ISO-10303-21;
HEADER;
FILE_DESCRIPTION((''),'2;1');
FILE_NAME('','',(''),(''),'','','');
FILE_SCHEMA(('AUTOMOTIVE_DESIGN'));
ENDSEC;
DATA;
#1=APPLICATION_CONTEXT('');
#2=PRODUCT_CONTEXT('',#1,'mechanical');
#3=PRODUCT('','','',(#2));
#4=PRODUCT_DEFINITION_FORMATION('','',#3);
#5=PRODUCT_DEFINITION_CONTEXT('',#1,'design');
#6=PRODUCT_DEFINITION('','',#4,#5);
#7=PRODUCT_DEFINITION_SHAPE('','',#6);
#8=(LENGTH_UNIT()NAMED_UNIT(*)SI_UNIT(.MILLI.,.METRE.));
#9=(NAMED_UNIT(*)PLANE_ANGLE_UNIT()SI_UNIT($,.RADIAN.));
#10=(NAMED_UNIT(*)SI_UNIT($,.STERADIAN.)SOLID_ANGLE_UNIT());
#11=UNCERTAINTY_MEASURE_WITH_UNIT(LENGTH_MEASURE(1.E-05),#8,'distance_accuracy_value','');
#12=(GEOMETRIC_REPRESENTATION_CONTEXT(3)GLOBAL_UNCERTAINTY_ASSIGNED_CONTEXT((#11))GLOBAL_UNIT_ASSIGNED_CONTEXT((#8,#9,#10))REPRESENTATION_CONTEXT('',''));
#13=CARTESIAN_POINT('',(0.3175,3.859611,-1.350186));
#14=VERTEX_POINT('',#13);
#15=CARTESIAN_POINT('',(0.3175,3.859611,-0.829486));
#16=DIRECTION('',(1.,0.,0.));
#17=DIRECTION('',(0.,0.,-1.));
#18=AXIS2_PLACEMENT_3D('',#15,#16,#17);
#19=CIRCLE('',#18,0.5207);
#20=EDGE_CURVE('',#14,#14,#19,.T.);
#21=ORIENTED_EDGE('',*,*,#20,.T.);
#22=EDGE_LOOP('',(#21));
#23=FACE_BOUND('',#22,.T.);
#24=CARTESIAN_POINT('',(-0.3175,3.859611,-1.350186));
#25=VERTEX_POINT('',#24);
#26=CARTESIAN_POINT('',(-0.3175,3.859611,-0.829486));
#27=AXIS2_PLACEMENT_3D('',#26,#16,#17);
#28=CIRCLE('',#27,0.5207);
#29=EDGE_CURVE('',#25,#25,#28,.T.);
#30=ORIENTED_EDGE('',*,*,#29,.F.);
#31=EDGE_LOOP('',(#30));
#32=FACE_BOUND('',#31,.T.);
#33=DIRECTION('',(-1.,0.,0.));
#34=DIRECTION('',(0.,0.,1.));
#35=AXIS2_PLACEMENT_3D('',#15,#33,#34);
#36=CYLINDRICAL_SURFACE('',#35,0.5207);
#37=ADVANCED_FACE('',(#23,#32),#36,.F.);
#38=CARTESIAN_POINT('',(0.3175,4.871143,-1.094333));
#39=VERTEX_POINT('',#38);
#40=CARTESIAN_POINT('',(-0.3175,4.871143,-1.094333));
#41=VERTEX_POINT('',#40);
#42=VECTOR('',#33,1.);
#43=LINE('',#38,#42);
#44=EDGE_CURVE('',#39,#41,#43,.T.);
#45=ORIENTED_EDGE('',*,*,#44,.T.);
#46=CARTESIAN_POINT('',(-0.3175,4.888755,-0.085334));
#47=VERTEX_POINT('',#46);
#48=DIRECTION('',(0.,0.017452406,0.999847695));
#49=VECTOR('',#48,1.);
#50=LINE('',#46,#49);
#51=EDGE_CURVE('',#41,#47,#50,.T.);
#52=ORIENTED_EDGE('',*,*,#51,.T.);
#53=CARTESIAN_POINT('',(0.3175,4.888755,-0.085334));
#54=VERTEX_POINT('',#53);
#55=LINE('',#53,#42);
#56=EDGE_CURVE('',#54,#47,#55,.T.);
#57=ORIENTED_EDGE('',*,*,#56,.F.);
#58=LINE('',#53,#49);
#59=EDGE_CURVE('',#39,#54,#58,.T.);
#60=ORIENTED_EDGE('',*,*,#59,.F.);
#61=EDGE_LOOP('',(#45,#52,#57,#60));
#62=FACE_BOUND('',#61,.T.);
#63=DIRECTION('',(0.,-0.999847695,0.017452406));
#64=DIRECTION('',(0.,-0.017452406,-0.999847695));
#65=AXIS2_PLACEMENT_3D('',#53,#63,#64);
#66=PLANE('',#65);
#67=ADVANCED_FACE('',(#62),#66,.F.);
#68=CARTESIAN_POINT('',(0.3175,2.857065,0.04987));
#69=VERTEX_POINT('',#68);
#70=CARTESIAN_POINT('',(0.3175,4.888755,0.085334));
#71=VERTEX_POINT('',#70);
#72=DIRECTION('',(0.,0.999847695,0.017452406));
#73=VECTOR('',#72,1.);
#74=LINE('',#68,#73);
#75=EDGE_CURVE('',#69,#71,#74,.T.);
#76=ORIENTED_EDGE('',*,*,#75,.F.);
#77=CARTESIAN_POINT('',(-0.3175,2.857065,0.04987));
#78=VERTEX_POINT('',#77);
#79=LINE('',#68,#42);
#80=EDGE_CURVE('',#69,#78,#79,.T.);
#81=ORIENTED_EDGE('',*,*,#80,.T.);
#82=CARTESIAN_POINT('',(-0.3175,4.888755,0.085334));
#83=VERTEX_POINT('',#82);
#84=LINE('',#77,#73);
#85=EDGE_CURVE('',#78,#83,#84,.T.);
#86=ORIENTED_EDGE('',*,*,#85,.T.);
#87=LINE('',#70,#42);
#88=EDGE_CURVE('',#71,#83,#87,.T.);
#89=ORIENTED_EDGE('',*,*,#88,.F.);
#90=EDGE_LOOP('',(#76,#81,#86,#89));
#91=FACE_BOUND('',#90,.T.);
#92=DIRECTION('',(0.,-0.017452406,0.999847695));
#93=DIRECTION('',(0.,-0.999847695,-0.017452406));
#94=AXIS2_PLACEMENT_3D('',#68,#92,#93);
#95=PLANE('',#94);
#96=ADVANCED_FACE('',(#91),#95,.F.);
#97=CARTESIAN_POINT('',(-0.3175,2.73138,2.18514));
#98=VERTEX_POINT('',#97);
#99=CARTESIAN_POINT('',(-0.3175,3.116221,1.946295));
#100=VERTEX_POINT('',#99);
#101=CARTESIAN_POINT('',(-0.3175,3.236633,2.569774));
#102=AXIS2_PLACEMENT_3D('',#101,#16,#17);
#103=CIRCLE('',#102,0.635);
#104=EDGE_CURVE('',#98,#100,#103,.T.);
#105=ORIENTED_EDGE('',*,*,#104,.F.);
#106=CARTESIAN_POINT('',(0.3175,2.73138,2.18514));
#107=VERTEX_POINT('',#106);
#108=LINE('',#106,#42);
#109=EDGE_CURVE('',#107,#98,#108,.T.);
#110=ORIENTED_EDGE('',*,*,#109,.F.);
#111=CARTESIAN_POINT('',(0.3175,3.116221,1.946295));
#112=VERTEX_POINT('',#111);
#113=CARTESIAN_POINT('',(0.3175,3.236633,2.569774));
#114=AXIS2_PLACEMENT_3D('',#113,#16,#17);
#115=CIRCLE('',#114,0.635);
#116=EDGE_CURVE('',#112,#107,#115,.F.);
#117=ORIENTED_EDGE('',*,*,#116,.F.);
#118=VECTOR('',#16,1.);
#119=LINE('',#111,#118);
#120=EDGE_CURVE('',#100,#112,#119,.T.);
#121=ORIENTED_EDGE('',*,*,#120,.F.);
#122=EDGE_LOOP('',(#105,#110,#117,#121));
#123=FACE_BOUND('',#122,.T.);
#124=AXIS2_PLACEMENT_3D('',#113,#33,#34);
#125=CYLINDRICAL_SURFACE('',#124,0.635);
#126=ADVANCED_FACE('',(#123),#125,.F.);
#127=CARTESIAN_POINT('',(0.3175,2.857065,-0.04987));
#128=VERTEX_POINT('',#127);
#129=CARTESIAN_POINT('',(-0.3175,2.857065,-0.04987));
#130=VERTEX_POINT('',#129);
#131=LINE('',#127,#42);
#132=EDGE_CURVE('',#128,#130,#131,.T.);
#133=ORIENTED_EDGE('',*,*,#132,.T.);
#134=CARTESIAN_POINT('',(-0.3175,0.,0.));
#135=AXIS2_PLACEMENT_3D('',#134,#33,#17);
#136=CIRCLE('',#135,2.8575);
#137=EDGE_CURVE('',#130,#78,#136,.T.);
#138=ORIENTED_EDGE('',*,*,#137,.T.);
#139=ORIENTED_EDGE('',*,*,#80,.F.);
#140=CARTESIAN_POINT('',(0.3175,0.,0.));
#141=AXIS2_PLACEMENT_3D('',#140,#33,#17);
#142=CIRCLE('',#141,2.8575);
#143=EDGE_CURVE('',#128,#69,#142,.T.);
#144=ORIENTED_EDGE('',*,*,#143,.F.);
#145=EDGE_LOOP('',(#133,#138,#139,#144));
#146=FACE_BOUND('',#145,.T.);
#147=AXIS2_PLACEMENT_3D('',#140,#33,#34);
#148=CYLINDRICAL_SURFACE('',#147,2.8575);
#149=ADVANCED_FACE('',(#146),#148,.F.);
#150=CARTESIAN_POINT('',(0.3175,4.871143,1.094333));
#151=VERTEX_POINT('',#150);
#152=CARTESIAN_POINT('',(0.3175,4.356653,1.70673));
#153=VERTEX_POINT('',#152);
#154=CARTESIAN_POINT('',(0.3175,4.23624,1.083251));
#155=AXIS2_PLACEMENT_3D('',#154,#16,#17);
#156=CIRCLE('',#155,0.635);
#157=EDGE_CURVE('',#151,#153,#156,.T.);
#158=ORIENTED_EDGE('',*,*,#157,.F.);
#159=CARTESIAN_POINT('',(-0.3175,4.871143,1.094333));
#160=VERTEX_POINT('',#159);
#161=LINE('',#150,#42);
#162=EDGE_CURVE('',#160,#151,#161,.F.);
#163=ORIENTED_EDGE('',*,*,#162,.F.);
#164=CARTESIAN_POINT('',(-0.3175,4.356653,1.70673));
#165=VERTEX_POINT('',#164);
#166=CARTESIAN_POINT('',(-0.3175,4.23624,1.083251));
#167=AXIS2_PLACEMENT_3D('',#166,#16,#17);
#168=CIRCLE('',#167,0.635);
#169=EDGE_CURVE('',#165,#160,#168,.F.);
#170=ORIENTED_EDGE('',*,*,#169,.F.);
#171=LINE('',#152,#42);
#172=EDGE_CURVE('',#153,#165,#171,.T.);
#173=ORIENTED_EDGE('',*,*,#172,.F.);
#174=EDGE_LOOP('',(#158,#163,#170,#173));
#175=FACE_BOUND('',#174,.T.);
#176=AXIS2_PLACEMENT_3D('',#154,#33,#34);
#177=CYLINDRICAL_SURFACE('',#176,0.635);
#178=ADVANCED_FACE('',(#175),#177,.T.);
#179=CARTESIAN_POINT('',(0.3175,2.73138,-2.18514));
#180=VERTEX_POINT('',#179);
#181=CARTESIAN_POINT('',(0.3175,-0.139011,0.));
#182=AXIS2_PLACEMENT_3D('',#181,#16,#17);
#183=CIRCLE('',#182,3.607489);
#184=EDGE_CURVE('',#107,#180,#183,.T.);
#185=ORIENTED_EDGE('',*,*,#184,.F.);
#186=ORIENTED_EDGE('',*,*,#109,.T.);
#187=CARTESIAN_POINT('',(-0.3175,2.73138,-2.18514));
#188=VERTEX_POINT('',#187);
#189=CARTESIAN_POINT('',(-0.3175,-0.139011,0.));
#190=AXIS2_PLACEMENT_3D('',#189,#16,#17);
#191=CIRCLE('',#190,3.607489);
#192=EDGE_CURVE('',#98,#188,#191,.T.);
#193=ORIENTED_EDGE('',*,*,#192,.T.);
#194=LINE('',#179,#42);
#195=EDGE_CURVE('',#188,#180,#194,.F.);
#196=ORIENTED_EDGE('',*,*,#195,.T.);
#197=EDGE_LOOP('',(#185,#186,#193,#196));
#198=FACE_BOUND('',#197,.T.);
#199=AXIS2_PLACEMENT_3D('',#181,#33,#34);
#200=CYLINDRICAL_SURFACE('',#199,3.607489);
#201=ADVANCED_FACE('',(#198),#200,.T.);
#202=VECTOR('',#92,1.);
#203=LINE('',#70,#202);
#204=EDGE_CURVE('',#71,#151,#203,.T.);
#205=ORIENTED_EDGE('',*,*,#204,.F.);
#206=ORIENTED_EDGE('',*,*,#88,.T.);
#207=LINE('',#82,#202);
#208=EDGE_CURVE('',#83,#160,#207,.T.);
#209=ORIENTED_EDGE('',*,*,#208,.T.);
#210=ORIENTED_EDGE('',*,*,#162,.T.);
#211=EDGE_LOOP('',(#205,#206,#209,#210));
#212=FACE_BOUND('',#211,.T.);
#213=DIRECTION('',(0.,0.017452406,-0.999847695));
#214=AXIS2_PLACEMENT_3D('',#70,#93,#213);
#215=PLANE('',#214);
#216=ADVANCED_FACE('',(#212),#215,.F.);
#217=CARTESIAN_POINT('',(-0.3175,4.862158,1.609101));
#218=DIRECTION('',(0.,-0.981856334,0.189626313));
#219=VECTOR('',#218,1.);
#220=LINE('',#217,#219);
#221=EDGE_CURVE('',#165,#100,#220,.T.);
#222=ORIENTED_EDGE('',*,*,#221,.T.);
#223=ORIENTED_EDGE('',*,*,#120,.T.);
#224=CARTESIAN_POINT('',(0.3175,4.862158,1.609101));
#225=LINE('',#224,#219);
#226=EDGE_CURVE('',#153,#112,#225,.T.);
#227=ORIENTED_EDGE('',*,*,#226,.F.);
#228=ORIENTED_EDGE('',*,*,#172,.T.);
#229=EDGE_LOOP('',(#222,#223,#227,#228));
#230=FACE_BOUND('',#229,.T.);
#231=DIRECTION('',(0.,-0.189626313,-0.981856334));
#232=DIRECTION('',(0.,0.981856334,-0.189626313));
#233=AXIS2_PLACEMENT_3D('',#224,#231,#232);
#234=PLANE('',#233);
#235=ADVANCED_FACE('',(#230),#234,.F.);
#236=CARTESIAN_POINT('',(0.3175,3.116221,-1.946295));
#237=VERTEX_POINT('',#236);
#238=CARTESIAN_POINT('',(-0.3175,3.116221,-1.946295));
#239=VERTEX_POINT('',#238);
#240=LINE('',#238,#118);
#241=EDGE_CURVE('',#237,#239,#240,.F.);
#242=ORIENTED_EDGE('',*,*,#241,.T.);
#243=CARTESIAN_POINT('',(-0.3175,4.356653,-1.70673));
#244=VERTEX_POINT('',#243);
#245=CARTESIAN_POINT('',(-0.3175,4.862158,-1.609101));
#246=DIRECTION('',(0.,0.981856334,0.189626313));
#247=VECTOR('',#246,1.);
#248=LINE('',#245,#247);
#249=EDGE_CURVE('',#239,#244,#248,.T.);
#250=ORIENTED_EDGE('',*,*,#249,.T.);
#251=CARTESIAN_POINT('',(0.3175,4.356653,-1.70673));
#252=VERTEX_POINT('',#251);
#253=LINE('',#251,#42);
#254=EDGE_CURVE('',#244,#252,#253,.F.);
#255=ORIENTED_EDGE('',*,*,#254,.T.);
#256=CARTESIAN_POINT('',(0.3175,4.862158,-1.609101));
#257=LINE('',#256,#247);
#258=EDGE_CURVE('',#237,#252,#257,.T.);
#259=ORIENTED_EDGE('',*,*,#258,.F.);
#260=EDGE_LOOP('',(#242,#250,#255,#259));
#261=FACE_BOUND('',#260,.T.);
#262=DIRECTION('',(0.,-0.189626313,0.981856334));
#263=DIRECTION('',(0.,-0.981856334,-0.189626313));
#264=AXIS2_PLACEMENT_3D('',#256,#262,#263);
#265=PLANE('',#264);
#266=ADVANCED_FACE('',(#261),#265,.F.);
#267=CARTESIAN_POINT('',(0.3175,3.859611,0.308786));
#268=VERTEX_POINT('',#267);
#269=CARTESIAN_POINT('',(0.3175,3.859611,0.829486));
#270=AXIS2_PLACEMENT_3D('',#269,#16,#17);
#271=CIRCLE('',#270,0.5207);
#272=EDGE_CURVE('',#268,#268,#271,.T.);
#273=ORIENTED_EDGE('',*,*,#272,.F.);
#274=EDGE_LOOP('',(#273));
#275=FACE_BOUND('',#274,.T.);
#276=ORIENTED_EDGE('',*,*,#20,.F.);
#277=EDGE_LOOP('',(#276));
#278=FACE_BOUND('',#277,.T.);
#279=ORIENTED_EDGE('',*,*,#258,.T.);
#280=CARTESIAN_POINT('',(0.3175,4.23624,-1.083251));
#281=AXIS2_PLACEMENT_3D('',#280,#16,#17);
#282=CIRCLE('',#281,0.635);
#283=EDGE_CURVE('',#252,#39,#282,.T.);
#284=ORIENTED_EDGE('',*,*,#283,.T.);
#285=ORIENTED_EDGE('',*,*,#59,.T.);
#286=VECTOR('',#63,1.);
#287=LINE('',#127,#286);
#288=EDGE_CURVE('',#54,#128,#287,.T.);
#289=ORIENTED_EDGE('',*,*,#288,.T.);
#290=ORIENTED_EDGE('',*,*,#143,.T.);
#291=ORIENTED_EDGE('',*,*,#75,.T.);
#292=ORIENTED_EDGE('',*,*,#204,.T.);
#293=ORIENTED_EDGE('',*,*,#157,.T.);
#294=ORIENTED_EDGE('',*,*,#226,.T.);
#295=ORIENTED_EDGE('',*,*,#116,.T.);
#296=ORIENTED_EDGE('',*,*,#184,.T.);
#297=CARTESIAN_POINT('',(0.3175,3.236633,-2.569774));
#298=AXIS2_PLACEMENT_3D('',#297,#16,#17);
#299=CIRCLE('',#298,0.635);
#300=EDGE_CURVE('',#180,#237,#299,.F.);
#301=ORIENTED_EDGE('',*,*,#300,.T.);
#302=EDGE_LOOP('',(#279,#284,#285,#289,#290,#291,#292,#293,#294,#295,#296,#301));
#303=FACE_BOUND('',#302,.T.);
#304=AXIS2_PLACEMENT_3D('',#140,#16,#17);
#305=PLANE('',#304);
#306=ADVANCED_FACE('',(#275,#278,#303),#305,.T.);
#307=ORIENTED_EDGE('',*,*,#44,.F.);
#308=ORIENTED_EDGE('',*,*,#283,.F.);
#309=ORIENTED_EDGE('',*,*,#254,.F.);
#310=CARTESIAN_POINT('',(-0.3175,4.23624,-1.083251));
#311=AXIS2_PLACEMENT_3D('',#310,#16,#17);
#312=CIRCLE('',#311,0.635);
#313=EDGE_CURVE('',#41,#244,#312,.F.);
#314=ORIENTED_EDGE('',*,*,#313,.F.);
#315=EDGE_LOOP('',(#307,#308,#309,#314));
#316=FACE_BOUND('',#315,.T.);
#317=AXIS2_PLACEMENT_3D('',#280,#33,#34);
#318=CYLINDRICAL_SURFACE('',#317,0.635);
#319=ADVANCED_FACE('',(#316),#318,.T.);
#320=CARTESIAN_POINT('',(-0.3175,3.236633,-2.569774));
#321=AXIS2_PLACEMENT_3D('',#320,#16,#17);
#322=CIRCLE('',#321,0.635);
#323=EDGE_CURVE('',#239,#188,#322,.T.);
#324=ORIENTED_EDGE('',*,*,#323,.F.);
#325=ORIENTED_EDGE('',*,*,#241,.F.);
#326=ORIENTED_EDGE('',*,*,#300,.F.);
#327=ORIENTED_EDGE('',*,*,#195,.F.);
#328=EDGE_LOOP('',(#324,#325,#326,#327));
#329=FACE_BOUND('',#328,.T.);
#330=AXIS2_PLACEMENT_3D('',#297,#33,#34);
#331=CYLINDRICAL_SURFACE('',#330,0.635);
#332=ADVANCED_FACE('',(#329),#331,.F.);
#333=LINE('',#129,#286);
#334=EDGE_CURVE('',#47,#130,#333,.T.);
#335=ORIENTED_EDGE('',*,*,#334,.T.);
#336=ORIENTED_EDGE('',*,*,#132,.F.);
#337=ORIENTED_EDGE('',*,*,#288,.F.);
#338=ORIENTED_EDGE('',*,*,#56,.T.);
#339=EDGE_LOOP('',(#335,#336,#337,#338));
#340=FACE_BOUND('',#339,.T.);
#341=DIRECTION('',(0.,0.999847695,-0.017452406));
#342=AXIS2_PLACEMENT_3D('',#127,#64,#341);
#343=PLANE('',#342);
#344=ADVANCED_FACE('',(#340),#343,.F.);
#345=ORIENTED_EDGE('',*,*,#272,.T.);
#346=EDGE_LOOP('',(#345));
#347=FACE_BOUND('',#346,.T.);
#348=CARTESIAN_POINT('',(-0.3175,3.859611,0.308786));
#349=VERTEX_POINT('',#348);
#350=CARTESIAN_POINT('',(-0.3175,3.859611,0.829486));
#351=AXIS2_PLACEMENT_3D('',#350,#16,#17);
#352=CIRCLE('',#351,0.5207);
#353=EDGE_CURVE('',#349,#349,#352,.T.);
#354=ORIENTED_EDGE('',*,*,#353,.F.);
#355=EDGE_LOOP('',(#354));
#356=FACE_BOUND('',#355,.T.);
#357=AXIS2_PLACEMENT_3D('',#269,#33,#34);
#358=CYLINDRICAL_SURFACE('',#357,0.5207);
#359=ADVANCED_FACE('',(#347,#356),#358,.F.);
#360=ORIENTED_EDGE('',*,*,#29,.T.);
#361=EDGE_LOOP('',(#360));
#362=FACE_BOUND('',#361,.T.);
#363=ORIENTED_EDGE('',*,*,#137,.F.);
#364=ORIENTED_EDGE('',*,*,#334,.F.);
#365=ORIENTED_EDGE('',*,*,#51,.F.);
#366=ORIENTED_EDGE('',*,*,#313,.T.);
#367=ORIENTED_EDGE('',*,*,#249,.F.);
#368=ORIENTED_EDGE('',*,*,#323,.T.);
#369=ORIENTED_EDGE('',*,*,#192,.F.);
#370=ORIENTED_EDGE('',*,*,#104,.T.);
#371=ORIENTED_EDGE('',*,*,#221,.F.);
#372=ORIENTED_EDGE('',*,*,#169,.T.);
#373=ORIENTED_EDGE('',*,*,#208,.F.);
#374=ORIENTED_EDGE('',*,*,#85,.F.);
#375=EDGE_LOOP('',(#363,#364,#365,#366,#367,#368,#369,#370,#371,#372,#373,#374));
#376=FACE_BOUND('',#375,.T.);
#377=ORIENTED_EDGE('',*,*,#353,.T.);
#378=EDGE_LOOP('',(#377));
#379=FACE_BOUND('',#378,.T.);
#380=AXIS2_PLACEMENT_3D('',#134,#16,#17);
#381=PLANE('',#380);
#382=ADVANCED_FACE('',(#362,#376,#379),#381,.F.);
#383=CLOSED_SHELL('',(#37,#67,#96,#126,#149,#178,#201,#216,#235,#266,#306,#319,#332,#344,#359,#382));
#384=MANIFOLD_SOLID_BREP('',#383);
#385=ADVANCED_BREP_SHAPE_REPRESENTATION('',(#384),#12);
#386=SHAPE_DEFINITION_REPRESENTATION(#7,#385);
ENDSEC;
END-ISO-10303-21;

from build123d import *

# Parameters (mm, degrees)
SKETCH1_R      = 0.5207
EXTRUDE1_DEPTH = 0.3175
FILLET1_R      = 0.635


with BuildPart() as part:
    # Sketch1 → Extrude1 (new body, symmetric)
    with BuildSketch(Plane(origin=(0, 0, 0), x_dir=(0, 0, -1), z_dir=(1, 0, 0))):
        with BuildLine():
            Line((-0.049870251, 2.857064789), (-0.085333541, 4.888755305))
            Line((-0.085333541, 4.888755305), (-1.609101429, 4.862157838))
            Line((-1.609101429, 4.862157838), (-1.994422098, 2.867025767))
            ThreePointArc((-1.994422098, 2.867025767), (0, -3.7465), (1.994422098, 2.867025767))
            Line((1.994422098, 2.867025767), (1.609101429, 4.862157838))
            Line((1.609101429, 4.862157838), (0.085333541, 4.888755305))
            Line((0.085333541, 4.888755305), (0.049870251, 2.857064789))
            ThreePointArc((0.049870251, 2.857064789), (0, -2.8575), (-0.049870251, 2.857064789))
        make_face()
        with Locations((-0.82948584, 3.859611313)):
            Circle(SKETCH1_R, mode=Mode.SUBTRACT)
        with Locations((0.82948584, 3.859611313)):
            Circle(SKETCH1_R, mode=Mode.SUBTRACT)
    extrude(amount=EXTRUDE1_DEPTH, both=True)

    # Fillet1
    fillet1_edges = [part.edges().sort_by_distance(p)[0] for p in [
        (0, 4.862157838, -1.609101429),
        (0, 2.867025767, -1.994422098),
        (0, 2.867025767, 1.994422098),
        (0, 4.862157838, 1.609101429),
    ]]
    fillet(fillet1_edges, radius=FILLET1_R)


solid = part.part
